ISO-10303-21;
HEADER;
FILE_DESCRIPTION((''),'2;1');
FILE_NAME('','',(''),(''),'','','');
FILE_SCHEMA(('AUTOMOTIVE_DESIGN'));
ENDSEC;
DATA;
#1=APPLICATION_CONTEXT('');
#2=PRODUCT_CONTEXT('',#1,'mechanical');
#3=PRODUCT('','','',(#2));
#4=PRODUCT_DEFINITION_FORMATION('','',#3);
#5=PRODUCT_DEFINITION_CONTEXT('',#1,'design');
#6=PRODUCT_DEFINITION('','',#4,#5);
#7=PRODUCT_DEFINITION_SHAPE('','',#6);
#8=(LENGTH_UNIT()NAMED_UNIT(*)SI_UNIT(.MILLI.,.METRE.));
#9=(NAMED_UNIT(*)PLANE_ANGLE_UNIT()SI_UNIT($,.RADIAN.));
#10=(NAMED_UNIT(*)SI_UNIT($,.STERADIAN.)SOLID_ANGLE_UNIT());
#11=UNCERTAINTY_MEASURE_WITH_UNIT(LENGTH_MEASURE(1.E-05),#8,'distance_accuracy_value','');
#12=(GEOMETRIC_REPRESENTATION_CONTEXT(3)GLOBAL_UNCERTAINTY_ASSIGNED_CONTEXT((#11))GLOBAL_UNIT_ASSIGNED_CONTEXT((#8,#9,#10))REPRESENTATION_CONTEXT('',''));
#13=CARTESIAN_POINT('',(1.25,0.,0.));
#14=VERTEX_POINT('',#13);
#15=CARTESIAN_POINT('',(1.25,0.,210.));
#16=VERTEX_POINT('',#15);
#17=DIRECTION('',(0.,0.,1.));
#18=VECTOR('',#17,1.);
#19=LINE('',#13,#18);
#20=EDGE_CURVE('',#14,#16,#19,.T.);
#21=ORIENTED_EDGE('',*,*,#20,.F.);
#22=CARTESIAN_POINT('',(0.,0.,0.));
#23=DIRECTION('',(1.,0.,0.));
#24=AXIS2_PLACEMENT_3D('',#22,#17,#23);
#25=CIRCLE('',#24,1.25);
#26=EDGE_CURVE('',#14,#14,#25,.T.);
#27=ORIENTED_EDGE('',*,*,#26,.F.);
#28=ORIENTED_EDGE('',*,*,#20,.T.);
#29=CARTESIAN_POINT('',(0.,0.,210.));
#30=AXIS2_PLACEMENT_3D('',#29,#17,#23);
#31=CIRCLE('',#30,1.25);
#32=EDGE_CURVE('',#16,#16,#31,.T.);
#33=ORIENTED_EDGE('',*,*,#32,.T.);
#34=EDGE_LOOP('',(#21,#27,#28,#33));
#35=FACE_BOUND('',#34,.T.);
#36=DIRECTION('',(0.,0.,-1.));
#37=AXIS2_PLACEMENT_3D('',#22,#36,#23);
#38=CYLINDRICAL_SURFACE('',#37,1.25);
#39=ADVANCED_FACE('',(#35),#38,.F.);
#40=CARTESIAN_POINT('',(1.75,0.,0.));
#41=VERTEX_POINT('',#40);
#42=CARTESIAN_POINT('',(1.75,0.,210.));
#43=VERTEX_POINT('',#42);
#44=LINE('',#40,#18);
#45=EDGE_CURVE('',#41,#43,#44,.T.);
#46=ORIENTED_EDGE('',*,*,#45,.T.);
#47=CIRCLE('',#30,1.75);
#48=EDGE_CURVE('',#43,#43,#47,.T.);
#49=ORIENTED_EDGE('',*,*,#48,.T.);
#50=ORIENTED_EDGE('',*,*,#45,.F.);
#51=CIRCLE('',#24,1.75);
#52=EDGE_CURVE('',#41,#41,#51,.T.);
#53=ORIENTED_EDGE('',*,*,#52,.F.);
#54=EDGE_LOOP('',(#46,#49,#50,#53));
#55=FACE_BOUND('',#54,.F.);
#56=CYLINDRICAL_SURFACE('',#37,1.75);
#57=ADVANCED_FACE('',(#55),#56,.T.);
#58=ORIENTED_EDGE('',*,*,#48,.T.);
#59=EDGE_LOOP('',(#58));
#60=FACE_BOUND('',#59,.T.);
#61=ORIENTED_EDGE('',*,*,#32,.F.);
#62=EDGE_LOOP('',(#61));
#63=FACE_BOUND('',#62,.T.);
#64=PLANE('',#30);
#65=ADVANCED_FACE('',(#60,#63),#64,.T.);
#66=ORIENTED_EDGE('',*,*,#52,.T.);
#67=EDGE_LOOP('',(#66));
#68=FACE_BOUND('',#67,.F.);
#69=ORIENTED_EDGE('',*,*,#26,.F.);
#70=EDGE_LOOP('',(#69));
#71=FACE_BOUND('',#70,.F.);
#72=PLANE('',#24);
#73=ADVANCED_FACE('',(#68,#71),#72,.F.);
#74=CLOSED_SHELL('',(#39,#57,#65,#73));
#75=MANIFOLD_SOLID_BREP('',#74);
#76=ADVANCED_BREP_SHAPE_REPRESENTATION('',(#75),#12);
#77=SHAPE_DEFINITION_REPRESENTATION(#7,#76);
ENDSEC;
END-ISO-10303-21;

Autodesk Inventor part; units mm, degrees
ref_plane "YZ Plane" through (0, 0, 0) normal (1, 0, 0) x (0, 1, 0)
ref_plane "XZ Plane" through (0, 0, 0) normal (0, 1, 0) x (-1, 0, 0)
ref_plane "XY Plane" through (0, 0, 0) normal (0, 0, 1) x (1, 0, 0)
sketch "Sketch1" plane through (0, 0, 0) normal (0, 0, 1) x (1, 0, 0)
  circle A0 centre (0, 0) radius 1.75
  circle A1 centre (0, 0) radius 1.25
  dimension "d0" = 3.5
  dimension "d1" = 2.5
extrude "Extrusion1" add sketch "Sketch1" along normal blind 210
properties part number "TsmallSpar"
